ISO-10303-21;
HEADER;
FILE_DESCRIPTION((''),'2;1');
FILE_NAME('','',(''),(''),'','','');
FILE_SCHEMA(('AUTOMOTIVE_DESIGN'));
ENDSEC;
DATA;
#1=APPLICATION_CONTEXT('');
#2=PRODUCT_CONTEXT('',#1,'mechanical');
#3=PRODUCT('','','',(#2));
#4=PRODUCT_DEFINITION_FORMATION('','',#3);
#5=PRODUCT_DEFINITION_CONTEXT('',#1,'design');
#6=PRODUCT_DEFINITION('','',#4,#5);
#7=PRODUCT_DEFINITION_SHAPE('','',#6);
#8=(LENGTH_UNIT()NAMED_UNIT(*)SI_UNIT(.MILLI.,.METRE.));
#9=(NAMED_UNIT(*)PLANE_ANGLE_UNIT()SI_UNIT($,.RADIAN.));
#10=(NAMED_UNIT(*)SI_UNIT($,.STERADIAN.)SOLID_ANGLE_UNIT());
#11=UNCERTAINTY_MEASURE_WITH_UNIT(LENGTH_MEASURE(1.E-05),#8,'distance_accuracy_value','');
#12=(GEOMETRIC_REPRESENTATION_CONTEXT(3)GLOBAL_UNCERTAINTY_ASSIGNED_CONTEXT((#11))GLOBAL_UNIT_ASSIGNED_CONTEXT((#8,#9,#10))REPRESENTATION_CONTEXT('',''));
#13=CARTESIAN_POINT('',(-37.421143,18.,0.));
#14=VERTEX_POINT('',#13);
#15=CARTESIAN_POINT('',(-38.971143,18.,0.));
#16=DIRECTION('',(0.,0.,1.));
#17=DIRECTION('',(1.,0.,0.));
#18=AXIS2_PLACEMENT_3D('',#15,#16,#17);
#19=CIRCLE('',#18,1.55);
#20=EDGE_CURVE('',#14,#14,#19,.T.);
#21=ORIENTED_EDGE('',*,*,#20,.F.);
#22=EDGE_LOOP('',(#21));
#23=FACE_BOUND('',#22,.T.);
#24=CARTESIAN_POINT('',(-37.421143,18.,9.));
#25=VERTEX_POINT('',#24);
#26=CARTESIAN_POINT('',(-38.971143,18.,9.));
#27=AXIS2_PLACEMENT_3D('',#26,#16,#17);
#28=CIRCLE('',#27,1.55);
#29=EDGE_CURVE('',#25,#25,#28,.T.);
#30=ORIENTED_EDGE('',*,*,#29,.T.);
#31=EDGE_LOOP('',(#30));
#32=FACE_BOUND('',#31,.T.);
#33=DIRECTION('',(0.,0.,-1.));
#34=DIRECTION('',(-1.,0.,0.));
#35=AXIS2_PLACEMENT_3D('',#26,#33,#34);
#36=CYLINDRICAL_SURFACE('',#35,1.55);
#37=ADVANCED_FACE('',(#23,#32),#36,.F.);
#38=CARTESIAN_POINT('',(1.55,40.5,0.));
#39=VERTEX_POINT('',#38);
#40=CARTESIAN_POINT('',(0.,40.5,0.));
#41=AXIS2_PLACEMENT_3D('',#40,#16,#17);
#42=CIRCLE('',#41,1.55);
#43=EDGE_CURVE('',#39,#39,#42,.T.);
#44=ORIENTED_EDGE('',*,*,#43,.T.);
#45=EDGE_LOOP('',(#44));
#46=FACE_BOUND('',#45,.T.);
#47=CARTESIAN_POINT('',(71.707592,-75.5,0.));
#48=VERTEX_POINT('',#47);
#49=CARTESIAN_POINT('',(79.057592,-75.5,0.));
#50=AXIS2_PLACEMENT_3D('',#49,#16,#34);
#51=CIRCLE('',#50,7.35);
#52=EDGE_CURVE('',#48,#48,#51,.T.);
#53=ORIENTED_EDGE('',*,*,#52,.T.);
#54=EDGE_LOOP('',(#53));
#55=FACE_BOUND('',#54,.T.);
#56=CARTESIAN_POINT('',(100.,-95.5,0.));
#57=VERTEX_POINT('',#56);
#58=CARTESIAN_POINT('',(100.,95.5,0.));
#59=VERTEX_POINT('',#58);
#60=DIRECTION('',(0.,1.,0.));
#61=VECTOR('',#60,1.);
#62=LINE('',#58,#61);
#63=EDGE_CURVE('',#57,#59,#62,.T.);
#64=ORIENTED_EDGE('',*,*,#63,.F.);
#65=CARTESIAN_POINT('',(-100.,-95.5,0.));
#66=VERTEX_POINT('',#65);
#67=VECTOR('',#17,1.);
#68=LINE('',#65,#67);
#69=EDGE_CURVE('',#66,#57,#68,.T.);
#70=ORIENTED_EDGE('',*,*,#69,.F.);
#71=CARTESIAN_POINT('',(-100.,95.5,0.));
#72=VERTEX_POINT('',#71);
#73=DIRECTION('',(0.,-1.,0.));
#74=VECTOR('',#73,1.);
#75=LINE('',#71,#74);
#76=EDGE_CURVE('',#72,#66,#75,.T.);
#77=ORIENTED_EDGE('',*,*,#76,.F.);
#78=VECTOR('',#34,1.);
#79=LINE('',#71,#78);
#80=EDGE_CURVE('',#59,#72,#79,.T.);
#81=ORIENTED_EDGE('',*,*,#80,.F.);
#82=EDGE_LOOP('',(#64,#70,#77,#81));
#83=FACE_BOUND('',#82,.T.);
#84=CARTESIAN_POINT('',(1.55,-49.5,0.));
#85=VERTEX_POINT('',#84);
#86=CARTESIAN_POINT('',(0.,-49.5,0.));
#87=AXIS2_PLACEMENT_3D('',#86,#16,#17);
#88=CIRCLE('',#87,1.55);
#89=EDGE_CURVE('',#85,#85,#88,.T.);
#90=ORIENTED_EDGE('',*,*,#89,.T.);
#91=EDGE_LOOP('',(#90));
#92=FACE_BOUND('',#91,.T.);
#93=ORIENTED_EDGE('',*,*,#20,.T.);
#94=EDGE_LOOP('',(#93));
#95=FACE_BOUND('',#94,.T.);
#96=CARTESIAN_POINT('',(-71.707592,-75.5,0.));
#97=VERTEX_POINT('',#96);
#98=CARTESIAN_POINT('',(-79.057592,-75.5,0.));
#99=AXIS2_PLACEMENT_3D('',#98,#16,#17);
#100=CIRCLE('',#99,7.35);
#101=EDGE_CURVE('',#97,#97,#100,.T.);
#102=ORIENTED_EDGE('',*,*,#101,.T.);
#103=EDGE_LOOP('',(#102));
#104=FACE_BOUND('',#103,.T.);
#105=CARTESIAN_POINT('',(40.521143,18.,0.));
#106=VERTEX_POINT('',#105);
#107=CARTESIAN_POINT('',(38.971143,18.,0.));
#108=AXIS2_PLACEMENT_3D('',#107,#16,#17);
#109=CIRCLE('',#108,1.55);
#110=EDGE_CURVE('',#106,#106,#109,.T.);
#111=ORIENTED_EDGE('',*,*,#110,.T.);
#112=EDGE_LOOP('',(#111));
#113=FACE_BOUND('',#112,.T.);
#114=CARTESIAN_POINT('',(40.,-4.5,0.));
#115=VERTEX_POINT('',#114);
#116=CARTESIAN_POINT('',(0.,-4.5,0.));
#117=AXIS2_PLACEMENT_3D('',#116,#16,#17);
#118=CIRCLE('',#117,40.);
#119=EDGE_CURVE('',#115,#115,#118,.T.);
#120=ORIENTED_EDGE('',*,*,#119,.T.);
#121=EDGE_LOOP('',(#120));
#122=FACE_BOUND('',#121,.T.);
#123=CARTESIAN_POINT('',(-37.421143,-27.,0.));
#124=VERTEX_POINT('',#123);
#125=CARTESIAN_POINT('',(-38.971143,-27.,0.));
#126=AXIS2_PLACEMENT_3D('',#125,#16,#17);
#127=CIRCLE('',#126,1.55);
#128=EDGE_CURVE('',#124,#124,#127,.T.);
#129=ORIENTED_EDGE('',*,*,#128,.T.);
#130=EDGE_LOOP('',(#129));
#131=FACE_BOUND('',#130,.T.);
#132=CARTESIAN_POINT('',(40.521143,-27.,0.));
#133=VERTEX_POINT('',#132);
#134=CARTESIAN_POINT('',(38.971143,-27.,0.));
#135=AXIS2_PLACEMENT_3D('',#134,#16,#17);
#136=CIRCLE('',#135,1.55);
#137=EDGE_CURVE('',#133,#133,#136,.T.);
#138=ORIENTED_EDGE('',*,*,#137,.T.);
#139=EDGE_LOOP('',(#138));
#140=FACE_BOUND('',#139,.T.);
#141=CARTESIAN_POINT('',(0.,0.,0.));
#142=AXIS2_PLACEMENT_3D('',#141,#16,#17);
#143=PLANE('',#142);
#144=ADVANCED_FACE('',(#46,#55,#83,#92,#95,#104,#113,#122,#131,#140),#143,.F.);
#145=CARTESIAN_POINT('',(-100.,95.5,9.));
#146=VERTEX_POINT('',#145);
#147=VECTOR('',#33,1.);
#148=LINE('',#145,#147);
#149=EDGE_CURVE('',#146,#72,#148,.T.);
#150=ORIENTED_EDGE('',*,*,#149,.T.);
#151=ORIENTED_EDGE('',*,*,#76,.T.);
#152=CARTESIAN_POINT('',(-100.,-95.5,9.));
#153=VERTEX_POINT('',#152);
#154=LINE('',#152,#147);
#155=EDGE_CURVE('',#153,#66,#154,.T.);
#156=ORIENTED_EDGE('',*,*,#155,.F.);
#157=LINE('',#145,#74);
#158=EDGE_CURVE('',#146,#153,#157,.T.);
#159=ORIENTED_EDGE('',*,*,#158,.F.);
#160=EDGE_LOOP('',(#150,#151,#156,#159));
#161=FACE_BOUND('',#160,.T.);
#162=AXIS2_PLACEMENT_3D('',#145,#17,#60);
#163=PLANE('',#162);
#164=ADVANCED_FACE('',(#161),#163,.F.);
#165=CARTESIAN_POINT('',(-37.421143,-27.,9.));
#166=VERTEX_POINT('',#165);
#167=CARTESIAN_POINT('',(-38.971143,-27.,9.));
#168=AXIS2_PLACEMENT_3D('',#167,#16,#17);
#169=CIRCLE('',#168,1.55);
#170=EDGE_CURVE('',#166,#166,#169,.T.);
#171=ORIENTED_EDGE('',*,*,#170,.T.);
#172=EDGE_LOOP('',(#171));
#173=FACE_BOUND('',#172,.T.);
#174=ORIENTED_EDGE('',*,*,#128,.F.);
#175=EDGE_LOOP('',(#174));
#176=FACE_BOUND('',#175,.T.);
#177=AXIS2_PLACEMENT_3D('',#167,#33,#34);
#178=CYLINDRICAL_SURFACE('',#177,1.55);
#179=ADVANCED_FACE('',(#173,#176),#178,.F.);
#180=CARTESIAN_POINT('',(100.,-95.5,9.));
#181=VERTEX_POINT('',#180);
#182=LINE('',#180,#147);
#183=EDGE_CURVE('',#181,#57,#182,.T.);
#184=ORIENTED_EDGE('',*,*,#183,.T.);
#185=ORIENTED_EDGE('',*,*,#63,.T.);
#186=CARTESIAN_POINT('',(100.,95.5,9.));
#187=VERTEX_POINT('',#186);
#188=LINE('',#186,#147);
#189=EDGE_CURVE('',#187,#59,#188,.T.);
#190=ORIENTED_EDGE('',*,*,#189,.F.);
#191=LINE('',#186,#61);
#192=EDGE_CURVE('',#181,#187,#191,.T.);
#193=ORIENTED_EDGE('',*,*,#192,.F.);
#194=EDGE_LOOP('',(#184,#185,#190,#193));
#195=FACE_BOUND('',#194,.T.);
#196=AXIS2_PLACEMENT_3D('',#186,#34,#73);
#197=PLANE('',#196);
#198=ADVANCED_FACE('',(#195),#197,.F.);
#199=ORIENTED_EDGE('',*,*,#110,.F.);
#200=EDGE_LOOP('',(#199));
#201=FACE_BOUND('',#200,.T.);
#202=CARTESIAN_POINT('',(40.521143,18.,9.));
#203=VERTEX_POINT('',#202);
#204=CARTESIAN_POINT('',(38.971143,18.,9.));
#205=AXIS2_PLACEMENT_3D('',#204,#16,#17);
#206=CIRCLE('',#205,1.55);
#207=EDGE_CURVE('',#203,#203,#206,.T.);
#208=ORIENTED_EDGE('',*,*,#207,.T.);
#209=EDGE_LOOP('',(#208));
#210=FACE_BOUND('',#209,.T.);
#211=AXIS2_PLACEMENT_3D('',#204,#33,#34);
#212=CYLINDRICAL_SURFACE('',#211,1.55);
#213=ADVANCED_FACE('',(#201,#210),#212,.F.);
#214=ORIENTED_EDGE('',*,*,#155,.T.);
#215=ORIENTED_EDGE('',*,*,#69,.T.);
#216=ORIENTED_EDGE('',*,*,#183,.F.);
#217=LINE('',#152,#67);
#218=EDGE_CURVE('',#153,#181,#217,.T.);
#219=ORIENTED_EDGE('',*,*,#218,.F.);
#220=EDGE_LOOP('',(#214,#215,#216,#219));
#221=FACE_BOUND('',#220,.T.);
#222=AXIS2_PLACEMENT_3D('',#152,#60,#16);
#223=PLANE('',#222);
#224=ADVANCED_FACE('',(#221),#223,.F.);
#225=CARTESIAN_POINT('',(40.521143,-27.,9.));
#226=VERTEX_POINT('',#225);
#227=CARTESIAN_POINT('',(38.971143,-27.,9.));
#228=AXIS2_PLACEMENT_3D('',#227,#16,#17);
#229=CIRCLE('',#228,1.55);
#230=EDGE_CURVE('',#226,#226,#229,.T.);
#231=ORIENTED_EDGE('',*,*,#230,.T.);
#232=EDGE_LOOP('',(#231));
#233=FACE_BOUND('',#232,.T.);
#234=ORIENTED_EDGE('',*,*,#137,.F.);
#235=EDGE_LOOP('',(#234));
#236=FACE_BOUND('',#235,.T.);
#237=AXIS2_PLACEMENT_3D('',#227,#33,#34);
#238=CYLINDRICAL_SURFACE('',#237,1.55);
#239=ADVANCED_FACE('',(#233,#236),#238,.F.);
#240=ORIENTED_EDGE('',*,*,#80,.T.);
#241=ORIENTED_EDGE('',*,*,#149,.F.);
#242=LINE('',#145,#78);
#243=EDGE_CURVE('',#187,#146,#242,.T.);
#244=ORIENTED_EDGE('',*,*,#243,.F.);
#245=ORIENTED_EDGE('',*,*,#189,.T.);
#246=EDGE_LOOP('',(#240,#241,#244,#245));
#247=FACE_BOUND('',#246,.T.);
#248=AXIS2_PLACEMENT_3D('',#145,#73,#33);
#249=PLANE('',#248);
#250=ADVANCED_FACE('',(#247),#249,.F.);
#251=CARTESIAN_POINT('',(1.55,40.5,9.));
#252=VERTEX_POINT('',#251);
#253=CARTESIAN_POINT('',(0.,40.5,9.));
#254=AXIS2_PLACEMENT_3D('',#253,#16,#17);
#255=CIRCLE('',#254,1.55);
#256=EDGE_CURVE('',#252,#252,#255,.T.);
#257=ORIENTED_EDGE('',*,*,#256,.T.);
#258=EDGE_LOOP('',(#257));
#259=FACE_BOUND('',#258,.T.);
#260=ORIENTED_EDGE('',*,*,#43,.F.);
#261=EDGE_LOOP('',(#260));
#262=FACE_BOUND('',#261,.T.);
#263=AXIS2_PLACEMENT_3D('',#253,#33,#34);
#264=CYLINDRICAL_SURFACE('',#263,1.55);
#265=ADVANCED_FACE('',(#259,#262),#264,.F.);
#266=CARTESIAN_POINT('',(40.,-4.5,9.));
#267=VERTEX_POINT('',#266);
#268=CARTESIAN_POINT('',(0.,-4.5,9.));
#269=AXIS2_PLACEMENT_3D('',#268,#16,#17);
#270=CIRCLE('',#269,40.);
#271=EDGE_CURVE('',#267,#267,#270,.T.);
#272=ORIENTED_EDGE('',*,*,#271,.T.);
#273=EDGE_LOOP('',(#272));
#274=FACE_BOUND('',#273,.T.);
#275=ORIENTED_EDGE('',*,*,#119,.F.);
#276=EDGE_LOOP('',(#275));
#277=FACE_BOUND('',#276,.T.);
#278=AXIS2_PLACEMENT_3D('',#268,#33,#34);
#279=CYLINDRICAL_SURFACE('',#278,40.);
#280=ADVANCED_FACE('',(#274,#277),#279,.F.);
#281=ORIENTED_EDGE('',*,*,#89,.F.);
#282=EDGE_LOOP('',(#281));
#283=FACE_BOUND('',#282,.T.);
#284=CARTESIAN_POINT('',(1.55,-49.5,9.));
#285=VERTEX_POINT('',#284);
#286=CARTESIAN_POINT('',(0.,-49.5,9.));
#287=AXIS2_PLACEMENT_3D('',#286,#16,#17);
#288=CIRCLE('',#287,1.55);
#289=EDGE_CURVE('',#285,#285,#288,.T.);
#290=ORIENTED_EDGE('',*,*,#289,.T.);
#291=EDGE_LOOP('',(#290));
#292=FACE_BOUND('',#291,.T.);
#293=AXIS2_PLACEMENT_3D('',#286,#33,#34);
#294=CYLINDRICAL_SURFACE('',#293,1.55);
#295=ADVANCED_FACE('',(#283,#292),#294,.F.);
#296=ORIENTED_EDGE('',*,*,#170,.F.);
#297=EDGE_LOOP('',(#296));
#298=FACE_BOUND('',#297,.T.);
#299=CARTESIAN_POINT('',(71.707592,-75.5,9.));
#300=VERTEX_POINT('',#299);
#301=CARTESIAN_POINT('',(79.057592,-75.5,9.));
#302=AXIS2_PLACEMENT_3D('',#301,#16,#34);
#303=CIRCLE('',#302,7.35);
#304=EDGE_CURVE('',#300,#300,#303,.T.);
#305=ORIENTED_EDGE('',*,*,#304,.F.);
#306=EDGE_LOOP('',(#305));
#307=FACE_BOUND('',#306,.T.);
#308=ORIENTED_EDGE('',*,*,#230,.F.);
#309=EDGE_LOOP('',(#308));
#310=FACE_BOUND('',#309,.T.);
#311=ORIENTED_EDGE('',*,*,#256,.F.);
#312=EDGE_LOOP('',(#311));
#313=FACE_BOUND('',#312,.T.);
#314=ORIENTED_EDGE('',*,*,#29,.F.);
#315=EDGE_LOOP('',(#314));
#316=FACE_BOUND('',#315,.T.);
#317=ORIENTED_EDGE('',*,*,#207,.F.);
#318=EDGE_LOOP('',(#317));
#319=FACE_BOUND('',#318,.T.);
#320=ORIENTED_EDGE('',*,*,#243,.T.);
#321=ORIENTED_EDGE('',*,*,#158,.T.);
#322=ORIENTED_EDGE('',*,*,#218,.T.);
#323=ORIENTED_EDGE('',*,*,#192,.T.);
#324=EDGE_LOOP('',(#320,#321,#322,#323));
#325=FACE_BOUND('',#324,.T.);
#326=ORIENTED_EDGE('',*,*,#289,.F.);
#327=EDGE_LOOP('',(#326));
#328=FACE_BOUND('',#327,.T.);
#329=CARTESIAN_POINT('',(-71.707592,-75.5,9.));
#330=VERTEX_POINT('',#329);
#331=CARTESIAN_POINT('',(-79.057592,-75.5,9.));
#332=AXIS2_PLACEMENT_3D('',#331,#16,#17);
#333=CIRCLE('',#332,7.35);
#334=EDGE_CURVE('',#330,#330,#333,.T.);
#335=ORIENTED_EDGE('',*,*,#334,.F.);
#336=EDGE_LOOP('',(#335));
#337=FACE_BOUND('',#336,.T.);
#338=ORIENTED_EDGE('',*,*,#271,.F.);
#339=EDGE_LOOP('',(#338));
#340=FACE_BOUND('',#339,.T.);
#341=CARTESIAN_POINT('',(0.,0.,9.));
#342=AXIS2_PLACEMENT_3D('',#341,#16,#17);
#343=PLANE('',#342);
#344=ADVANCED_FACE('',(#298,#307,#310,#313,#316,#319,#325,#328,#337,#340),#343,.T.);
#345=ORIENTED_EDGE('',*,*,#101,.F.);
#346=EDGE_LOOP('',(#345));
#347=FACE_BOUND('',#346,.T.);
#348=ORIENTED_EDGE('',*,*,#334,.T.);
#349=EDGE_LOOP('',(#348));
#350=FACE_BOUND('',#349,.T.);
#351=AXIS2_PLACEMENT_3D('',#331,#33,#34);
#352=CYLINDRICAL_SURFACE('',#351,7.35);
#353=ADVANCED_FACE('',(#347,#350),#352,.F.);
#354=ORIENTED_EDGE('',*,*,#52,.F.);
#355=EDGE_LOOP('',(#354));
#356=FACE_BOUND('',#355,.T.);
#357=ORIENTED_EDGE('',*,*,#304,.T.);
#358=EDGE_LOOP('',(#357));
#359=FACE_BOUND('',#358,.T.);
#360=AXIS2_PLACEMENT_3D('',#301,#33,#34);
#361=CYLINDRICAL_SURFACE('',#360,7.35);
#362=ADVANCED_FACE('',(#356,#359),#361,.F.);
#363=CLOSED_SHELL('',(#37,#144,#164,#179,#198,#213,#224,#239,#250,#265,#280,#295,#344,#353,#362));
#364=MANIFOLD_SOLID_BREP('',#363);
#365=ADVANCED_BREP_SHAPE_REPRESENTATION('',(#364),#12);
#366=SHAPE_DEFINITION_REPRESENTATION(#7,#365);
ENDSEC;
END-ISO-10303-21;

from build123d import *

# Parameters (mm, degrees)
SKETCH_1_W      = 200
SKETCH_1_H      = 191
SKETCH_1_R      = 40
SKETCH_1_R_2    = 7.35
SKETCH_1_R_3    = 1.55
EXTRUDE_1_DEPTH = 9


with BuildPart() as part:
    # 草图1 → 凸台-拉伸1 (new body)
    with BuildSketch(Plane.XY):
        Rectangle(SKETCH_1_W, SKETCH_1_H)
        with Locations((0, -4.5)):
            Circle(SKETCH_1_R, mode=Mode.SUBTRACT)
        with Locations((-79.057591623, -75.5)):
            Circle(SKETCH_1_R_2, mode=Mode.SUBTRACT)
        with Locations((79.057591623, -75.5)):
            Circle(SKETCH_1_R_2, mode=Mode.SUBTRACT)
        with Locations((0, 40.5)):
            Circle(SKETCH_1_R_3, mode=Mode.SUBTRACT)
        with Locations((38.97114317, 18)):
            Circle(SKETCH_1_R_3, mode=Mode.SUBTRACT)
        with Locations((38.97114317, -27)):
            Circle(SKETCH_1_R_3, mode=Mode.SUBTRACT)
        with Locations((0, -49.5)):
            Circle(SKETCH_1_R_3, mode=Mode.SUBTRACT)
        with Locations((-38.97114317, -27)):
            Circle(SKETCH_1_R_3, mode=Mode.SUBTRACT)
        with Locations((-38.97114317, 18)):
            Circle(SKETCH_1_R_3, mode=Mode.SUBTRACT)
    extrude(amount=EXTRUDE_1_DEPTH)


solid = part.part
